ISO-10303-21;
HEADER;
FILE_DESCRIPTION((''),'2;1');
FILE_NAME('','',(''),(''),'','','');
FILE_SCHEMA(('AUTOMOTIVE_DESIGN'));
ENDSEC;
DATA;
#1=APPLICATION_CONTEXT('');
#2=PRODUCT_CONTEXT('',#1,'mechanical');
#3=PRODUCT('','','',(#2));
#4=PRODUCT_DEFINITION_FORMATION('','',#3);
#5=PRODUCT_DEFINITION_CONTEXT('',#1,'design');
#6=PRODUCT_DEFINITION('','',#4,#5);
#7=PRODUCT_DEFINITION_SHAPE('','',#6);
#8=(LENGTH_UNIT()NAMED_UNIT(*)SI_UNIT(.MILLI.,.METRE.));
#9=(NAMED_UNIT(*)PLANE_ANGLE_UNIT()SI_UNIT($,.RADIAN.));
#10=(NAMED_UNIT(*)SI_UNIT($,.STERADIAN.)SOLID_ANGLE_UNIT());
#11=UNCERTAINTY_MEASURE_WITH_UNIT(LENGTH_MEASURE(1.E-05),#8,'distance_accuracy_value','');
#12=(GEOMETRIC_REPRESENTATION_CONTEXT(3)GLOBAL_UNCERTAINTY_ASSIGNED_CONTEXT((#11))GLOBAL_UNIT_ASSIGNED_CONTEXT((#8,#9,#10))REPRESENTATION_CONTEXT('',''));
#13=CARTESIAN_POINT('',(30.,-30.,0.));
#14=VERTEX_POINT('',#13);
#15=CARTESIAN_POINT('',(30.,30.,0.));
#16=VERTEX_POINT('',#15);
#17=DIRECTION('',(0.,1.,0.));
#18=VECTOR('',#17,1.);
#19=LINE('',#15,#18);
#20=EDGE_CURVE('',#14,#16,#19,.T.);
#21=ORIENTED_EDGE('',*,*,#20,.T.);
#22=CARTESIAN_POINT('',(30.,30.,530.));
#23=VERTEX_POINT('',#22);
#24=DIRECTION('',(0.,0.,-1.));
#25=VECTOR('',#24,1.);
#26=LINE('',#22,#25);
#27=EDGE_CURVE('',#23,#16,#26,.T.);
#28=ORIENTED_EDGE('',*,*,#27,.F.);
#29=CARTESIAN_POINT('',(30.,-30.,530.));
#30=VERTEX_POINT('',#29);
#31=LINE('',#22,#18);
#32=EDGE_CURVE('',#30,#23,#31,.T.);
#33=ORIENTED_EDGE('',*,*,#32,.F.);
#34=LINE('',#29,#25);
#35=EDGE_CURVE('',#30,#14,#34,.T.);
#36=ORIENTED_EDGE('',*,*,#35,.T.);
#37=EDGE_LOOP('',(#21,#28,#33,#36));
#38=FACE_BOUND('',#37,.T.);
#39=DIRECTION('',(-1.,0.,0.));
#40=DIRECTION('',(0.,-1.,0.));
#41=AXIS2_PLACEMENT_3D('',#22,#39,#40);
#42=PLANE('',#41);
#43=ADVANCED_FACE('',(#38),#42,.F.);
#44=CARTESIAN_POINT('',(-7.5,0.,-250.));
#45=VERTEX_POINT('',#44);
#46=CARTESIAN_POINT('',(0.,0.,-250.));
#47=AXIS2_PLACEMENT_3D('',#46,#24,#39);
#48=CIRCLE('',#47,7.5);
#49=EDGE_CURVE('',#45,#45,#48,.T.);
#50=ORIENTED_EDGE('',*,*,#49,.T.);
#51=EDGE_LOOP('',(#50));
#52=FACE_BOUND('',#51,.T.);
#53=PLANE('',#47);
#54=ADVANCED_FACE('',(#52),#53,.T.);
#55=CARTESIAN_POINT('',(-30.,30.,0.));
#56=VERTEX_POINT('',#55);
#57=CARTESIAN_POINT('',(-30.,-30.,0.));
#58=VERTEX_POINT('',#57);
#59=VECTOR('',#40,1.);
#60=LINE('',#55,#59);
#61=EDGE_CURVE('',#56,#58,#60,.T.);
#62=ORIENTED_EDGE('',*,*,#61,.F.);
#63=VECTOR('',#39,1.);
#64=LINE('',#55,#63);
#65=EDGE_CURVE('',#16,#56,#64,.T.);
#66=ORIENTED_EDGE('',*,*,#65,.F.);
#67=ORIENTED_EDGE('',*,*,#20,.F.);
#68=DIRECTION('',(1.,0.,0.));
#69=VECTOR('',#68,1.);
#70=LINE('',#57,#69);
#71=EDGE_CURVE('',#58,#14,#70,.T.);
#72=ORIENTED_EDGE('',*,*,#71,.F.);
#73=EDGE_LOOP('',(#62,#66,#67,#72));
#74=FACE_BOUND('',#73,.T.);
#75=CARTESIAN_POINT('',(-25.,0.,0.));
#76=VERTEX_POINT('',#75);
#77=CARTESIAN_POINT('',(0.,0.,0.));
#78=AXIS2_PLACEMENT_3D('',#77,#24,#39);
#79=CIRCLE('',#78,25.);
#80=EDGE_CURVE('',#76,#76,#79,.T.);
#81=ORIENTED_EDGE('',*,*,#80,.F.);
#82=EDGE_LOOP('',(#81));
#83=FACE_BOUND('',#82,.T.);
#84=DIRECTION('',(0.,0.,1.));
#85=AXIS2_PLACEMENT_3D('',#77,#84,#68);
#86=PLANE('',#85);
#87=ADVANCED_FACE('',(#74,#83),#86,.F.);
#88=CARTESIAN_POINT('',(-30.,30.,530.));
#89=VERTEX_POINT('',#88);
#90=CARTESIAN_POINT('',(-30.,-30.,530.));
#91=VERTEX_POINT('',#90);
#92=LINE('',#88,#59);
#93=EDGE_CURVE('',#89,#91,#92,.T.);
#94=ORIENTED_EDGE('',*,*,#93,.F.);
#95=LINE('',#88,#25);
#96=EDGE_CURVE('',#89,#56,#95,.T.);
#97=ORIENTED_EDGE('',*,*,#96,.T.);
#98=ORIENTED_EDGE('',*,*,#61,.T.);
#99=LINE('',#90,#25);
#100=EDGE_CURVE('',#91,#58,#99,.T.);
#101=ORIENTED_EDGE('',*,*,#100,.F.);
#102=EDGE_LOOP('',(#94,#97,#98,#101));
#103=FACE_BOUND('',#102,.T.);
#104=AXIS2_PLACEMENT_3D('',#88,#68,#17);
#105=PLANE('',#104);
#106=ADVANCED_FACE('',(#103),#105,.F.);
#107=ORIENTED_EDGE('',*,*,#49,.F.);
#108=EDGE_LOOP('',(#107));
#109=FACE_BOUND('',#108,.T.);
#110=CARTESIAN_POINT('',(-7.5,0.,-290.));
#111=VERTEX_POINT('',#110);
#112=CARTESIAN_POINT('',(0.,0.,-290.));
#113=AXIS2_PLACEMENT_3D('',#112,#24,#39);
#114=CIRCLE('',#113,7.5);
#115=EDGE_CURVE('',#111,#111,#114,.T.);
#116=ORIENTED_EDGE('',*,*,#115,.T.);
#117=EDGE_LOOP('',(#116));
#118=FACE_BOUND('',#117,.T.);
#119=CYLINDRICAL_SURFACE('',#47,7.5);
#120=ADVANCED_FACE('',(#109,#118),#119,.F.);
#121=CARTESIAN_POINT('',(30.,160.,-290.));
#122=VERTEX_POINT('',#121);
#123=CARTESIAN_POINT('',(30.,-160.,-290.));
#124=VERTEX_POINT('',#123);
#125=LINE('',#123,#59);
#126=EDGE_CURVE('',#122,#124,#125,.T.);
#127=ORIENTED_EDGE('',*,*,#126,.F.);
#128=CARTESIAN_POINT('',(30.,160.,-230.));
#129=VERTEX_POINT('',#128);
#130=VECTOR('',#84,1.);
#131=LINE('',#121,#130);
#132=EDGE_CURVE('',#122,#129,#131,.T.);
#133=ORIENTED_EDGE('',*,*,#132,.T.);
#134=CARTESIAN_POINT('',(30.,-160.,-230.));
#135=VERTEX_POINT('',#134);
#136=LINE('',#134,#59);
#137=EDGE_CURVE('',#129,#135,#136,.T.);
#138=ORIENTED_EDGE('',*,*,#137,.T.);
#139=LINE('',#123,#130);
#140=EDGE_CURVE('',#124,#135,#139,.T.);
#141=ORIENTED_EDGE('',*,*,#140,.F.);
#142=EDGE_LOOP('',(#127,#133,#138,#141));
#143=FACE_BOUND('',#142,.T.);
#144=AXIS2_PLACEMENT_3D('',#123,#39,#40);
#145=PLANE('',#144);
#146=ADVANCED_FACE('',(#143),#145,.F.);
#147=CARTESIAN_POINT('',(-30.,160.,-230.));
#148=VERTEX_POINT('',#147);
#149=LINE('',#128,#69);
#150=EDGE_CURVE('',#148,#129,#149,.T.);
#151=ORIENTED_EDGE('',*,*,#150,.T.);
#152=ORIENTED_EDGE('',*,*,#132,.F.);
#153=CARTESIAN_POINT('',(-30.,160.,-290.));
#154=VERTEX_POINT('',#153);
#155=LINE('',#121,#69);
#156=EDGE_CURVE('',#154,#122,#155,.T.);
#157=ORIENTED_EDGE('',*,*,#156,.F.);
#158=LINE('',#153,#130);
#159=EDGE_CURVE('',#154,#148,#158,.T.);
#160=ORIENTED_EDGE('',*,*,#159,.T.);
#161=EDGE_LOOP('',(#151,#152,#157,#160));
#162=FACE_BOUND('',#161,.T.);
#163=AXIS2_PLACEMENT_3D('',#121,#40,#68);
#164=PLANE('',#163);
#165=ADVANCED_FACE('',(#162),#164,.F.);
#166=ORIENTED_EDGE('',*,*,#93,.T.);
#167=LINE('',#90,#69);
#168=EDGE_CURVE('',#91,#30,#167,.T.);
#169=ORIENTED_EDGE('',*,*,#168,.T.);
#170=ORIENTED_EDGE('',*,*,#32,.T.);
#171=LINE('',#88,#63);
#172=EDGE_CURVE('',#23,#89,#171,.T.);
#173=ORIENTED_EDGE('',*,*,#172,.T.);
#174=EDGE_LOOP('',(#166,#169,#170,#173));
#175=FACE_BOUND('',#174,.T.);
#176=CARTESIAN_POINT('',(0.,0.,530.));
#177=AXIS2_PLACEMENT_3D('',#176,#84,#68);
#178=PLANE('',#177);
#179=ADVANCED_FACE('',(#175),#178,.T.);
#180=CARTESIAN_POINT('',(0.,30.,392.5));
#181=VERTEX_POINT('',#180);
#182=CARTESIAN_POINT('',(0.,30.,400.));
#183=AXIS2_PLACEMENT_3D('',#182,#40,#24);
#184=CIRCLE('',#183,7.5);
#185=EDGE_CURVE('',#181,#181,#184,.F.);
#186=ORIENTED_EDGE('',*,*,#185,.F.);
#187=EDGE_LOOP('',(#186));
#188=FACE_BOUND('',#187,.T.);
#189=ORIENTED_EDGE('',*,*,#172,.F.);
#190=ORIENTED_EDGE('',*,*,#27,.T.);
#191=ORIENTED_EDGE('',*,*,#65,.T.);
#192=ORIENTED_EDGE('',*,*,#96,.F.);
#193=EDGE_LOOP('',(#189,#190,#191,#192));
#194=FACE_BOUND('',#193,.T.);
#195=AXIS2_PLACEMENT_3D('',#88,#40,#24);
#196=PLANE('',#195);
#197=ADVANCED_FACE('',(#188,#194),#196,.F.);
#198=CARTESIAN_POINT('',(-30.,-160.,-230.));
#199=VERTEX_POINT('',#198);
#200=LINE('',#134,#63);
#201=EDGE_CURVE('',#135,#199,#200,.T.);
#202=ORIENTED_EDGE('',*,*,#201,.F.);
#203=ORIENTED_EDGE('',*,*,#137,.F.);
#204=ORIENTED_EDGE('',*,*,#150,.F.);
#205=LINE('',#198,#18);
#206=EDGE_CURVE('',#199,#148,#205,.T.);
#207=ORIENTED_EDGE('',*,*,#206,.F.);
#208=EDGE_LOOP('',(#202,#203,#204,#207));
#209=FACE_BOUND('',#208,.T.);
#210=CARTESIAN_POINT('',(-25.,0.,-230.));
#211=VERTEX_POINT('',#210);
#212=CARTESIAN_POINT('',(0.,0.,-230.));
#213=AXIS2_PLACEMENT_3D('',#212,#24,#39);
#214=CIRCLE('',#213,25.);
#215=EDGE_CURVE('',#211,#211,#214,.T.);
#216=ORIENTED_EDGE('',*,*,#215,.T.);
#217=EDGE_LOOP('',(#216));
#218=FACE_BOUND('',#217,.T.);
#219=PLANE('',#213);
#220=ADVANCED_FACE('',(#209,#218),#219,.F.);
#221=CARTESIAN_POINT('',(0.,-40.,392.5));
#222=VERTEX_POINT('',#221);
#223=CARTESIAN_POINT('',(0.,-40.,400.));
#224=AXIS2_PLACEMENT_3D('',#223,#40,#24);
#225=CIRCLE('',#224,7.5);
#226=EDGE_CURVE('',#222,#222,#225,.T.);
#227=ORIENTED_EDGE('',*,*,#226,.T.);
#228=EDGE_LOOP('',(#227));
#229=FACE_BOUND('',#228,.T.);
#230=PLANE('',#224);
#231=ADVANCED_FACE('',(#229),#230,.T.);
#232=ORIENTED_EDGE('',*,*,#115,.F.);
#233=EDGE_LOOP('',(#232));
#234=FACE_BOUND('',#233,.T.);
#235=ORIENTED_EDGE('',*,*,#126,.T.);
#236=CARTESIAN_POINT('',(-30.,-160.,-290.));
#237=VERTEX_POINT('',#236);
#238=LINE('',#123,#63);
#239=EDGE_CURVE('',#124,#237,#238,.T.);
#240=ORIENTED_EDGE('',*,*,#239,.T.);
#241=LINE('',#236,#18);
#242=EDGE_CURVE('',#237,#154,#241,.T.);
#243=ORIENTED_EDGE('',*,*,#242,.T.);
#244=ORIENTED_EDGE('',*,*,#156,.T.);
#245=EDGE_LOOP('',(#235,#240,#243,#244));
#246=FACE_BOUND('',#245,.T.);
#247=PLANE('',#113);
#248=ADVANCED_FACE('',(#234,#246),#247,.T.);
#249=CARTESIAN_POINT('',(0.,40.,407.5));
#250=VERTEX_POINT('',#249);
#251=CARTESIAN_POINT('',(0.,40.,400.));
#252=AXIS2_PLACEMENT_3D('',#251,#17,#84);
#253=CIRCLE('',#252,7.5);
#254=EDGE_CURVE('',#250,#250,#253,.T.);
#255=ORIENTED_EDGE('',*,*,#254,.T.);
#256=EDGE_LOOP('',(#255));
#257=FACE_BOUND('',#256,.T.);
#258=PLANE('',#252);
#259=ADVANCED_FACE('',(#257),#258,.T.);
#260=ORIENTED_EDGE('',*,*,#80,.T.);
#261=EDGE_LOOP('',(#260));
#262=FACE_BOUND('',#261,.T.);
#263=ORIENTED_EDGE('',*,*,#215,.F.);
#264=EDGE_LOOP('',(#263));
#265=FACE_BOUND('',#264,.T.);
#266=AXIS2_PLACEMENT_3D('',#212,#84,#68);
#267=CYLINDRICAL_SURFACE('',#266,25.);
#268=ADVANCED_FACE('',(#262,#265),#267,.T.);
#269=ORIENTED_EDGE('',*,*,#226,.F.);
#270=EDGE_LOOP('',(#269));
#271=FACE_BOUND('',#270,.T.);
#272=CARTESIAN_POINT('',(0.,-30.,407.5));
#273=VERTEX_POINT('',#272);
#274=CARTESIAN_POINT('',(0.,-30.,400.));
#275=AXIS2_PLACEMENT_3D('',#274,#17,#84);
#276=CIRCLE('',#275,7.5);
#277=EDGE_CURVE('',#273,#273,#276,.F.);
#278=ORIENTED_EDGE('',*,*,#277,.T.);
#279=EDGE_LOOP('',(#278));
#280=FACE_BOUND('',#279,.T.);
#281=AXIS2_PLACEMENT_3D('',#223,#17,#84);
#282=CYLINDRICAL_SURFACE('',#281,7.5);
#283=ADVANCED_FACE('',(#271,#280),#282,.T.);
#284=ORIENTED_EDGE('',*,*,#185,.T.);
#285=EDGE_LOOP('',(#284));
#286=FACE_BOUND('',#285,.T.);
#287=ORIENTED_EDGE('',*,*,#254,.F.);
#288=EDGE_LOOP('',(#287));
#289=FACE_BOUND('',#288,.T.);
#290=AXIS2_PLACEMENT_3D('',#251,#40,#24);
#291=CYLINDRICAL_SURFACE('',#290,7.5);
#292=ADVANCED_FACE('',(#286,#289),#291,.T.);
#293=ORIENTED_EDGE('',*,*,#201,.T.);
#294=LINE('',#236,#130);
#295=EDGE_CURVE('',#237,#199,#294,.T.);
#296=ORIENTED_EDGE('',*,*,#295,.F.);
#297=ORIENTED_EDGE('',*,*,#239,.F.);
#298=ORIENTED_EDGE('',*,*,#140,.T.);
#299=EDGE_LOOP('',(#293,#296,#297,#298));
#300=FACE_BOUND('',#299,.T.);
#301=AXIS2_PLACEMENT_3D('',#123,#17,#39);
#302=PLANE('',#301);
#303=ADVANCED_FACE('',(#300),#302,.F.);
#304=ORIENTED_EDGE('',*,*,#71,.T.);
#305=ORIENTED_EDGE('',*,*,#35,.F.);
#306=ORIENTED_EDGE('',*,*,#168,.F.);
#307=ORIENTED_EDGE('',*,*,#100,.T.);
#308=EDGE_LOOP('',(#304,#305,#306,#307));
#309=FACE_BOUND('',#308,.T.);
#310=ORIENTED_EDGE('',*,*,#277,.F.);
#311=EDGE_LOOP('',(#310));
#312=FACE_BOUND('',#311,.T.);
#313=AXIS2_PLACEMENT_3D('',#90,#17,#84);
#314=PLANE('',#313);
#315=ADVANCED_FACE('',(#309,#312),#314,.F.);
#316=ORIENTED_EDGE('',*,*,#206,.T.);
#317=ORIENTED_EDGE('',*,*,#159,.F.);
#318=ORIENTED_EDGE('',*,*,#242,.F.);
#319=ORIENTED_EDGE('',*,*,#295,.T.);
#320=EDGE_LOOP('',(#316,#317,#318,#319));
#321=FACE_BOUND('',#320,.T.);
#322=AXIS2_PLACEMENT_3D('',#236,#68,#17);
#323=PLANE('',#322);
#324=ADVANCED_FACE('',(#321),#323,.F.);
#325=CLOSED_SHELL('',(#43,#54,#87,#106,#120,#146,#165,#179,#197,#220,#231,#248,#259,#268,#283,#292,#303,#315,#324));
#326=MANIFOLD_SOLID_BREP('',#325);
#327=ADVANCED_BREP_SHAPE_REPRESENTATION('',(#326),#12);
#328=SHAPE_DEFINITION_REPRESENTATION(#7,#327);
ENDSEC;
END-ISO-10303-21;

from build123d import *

# Parameters (mm, degrees)
SKETCH_1_W          = 60
SKETCH_1_H          = 60
EXTRUDE_1_DEPTH     = 530
SKETCH_2_R          = 25
EXTRUDE_2_DEPTH     = 230
SKETCH_3_R          = 7.5
EXTRUDE_3_DEPTH     = 10
EXTRUDE_START       = 10
SKETCH_4_R          = 7.5
EXTRUDE_4_DEPTH     = 10
SKETCH_5_W          = 60
SKETCH_5_H          = 320
EXTRUDE_5_DEPTH     = 60
SKETCH_6_R          = 7.5
CUT_EXTRUDE_1_DEPTH = 40


with BuildPart() as part:
    # 草图1 → 凸台-拉伸1 (new body)
    with BuildSketch(Plane.XY):
        Rectangle(SKETCH_1_W, SKETCH_1_H)
    extrude(amount=EXTRUDE_1_DEPTH)

    # 草图2 → 凸台-拉伸2 (add)
    with BuildSketch(Plane(origin=(0, 0, 0), x_dir=(-1, 0, 0), z_dir=(0, 0, -1))):
        Circle(SKETCH_2_R)
    extrude(amount=EXTRUDE_2_DEPTH)

    # 草图3 → 凸台-拉伸3 (add)
    with BuildSketch(Plane(origin=(0, 30, 0), x_dir=(1, 0, 0), z_dir=(0, 1, 0))):
        with Locations(Location((0, -400, 0), (0, 0, 90))):
            Circle(SKETCH_3_R)
    extrude(amount=EXTRUDE_3_DEPTH)

    # 草图4 → 凸台-拉伸4 (add)
    with BuildSketch(Plane.XZ.offset(30).offset(EXTRUDE_START)):
        with Locations(Location((0, 400, 0), (0, 0, 270))):
            Circle(SKETCH_4_R)
    extrude(amount=-EXTRUDE_4_DEPTH)

    # 草图5 → 凸台-拉伸5 (add)
    with BuildSketch(Plane(origin=(0, 0, -230), x_dir=(-1, 0, 0), z_dir=(0, 0, -1))):
        Rectangle(SKETCH_5_W, SKETCH_5_H)
    extrude(amount=EXTRUDE_5_DEPTH)

    # 草图6 → 切除-拉伸1 (cut)
    with BuildSketch(Plane(origin=(0, 0, -290), x_dir=(-1, 0, 0), z_dir=(0, 0, -1))):
        Circle(SKETCH_6_R)
    extrude(amount=-CUT_EXTRUDE_1_DEPTH, mode=Mode.SUBTRACT)


solid = part.part
